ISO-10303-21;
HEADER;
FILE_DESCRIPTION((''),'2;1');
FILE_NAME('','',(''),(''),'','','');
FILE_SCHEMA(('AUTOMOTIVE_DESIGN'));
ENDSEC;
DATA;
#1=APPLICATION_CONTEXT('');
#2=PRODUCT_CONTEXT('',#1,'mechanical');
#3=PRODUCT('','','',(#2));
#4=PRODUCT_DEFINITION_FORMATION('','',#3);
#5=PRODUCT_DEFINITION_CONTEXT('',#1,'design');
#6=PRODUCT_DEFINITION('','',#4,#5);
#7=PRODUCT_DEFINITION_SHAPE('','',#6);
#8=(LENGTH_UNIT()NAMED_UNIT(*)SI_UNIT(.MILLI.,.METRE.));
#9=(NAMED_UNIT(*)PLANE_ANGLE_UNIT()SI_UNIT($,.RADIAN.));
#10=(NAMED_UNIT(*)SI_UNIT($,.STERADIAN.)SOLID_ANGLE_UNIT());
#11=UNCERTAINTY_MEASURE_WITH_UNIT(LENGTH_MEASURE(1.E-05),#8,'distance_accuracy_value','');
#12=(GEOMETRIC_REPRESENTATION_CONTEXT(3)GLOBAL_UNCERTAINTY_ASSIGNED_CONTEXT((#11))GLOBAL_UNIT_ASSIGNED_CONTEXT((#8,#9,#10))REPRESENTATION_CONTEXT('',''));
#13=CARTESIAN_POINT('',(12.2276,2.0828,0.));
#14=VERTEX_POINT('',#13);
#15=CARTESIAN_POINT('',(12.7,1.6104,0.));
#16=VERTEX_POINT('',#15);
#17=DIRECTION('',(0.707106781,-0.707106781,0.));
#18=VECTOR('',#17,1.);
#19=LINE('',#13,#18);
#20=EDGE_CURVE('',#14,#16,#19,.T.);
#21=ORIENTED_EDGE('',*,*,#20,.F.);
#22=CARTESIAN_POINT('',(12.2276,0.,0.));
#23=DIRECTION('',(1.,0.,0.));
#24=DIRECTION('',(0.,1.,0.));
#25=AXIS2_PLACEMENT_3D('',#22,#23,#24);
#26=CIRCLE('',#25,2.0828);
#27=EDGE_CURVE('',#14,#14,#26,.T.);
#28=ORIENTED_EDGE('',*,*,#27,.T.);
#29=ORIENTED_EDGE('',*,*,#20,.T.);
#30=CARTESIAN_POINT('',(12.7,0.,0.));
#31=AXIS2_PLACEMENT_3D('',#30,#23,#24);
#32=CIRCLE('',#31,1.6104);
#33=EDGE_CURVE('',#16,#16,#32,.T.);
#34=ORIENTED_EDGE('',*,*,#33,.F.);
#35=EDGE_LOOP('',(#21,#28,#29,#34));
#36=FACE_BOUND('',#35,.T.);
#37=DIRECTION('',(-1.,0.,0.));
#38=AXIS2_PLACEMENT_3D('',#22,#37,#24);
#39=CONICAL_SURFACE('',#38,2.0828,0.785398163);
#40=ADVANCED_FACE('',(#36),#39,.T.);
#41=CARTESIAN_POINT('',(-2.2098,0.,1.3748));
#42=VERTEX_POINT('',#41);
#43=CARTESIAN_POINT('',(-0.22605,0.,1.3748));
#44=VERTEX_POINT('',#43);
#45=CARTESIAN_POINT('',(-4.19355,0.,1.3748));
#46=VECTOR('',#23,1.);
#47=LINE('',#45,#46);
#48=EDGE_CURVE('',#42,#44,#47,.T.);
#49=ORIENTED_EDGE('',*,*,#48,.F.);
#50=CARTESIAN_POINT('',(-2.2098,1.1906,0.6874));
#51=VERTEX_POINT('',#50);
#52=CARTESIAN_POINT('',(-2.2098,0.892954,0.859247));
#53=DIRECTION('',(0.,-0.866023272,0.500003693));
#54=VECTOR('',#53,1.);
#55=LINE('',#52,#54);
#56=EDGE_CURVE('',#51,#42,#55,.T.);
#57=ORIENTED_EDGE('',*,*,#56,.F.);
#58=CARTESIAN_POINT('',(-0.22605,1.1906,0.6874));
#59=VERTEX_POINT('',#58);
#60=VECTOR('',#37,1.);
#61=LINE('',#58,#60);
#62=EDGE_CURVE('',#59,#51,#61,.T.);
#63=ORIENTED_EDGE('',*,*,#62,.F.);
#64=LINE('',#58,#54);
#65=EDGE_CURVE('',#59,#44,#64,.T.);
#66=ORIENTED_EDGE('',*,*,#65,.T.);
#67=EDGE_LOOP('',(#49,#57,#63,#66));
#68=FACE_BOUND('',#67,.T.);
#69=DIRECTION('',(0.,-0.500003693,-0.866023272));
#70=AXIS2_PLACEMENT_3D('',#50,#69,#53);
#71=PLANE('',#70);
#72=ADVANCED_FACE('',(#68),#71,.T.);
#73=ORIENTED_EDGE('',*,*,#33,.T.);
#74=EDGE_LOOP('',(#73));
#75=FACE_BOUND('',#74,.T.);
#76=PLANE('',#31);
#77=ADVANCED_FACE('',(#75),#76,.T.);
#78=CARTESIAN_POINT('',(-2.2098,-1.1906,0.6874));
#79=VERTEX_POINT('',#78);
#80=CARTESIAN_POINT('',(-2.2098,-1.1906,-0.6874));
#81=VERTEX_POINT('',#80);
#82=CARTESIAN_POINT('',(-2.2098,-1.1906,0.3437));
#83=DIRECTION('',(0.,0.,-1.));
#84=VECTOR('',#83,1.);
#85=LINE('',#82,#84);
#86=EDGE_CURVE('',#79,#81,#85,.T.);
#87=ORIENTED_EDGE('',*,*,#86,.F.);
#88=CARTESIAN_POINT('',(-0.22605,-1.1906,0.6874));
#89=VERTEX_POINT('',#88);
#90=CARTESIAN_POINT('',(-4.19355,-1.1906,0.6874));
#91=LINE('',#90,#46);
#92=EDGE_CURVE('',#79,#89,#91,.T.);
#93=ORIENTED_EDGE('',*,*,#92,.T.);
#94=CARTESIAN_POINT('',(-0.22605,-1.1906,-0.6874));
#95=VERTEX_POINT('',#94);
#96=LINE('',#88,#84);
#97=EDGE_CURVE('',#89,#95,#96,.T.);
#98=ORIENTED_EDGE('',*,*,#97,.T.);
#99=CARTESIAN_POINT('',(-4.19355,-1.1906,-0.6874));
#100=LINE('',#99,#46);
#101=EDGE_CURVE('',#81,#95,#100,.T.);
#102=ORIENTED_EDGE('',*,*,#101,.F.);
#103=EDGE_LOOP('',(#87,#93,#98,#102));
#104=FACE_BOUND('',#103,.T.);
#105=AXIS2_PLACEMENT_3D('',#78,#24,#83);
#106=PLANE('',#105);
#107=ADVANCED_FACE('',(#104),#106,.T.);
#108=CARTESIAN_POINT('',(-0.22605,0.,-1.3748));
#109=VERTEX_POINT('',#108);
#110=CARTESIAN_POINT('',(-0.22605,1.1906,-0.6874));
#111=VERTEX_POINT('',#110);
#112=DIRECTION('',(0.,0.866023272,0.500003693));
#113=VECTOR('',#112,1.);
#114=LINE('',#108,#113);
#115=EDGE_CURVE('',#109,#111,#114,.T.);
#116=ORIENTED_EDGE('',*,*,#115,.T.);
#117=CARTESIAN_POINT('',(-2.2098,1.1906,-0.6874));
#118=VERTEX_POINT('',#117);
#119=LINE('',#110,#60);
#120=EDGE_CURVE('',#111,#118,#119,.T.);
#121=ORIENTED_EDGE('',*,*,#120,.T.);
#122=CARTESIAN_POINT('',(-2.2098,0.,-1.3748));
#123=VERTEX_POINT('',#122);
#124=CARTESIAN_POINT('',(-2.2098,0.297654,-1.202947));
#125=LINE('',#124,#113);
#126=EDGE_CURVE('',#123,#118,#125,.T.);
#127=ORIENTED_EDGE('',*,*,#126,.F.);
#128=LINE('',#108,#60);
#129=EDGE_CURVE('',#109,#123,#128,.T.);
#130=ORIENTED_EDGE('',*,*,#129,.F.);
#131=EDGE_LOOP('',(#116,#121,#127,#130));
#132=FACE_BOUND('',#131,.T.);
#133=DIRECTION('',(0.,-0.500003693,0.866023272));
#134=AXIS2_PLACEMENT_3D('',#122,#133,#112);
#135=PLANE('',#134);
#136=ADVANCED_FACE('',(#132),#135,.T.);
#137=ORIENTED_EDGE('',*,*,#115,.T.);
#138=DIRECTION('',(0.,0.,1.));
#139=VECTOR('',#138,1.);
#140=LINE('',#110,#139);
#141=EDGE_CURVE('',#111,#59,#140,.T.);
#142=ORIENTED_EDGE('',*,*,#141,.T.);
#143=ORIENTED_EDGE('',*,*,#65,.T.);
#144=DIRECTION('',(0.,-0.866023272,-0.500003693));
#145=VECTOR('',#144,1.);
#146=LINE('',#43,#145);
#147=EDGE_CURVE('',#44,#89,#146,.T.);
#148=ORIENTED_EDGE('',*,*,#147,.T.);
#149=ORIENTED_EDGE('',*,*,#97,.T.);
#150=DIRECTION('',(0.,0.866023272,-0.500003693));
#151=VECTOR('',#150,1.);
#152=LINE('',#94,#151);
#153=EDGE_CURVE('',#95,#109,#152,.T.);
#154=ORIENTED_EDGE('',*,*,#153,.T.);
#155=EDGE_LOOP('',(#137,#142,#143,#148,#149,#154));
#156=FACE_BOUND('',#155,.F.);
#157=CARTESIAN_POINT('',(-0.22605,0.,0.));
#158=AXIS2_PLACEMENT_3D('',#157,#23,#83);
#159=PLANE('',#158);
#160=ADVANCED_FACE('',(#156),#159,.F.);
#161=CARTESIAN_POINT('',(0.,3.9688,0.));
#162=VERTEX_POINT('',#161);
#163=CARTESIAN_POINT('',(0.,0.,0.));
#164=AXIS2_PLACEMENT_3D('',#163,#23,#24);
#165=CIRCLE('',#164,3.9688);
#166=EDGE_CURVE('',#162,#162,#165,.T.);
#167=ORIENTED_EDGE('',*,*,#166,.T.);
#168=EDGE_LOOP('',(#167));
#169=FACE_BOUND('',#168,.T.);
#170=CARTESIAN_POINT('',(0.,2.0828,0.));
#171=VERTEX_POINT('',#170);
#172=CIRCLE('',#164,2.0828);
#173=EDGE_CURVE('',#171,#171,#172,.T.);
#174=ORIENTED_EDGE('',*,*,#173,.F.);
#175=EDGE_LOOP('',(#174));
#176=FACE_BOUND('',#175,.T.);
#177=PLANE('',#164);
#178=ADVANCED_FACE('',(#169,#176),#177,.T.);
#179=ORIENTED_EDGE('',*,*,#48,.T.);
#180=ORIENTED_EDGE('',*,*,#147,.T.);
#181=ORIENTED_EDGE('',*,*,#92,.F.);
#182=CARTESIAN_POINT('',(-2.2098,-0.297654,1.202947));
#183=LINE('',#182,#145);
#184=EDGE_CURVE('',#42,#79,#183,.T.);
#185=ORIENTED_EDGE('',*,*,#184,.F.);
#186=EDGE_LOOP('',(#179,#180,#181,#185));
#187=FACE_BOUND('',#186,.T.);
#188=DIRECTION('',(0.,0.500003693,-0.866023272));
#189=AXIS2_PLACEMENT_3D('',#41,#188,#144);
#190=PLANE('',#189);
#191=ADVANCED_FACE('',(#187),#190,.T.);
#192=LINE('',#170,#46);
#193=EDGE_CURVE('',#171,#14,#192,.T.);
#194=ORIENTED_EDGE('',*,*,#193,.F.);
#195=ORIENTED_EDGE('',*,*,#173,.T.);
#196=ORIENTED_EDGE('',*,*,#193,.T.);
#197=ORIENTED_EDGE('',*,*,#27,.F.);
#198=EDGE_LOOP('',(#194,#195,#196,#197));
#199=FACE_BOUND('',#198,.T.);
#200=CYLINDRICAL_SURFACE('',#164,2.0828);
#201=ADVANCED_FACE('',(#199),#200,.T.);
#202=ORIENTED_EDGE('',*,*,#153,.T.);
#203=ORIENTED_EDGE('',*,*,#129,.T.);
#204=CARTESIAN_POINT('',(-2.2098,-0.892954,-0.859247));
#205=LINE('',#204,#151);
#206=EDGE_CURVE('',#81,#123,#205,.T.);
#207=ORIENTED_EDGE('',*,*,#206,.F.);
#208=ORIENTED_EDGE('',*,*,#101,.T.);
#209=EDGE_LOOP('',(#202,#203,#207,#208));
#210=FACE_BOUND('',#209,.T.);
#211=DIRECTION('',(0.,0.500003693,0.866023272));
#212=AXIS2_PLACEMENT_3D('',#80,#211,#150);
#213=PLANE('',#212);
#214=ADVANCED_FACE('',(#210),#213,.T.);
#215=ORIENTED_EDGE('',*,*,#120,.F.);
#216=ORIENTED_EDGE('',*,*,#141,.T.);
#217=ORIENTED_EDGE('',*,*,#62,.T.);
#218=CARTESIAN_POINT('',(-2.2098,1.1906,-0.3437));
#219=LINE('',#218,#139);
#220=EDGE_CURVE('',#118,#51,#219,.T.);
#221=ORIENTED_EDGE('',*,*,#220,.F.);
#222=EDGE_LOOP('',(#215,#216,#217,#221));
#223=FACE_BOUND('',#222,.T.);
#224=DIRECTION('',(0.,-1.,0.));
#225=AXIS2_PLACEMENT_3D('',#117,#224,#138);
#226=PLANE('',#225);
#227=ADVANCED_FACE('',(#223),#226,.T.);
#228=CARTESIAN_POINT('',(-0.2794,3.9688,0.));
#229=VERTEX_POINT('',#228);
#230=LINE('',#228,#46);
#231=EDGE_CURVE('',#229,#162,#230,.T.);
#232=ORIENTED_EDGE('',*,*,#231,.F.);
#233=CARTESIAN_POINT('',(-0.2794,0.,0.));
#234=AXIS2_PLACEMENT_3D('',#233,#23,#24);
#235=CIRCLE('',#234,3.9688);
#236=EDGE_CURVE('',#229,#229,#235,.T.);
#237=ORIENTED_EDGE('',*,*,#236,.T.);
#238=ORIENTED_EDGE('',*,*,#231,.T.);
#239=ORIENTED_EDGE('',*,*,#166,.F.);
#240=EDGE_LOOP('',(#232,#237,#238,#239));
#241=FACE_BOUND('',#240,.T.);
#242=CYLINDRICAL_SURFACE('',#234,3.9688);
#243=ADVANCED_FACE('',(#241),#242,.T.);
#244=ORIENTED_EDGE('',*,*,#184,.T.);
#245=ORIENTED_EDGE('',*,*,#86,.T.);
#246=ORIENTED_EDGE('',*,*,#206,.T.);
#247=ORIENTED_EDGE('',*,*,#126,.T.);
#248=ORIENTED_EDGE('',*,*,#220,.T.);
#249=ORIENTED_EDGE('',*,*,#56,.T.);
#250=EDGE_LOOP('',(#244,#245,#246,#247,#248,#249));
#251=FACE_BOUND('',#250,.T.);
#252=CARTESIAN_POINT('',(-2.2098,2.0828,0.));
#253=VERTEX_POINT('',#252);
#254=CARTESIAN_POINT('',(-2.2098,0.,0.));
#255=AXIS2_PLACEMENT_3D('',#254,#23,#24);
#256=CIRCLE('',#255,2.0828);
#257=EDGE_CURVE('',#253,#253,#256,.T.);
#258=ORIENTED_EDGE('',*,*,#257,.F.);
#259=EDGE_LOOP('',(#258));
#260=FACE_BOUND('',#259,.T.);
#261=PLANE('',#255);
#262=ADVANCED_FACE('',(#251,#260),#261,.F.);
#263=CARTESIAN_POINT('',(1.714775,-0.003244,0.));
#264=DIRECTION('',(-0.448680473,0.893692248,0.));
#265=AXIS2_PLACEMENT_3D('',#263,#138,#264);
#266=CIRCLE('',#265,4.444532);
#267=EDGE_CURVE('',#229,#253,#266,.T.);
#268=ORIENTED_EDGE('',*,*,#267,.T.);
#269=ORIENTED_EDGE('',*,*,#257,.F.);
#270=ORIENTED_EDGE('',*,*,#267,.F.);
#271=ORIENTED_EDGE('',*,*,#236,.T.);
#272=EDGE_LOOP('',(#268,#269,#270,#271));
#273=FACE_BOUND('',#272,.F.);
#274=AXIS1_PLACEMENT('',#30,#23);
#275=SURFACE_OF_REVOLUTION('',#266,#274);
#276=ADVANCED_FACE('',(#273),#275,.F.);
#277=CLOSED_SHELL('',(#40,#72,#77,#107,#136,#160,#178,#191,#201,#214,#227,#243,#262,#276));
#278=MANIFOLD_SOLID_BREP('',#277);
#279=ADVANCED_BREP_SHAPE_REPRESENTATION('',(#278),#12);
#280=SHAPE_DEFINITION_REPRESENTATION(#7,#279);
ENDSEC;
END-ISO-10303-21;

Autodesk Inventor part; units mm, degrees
sketch "Sketch_1" plane through (0, 0, 0) normal (0, 0, 1) x (1, 0, 0)
  line L0 (12.7, 0) -> (-2.2098, 0)
  line L1 (-2.2098, 0) -> (-2.2098, 2.0828)
  arc A0 (-0.2794, 3.9688) -> (-2.2098, 2.0828) centre (1.7151, -0.0037) ccw
  line L2 (-0.2794, 3.9688) -> (0, 3.9688)
  line L3 (0, 3.9688) -> (0, 2.0828)
  line L4 (0, 2.0828) -> (12.2276, 2.0828)
  line L5 (12.2276, 2.0828) -> (12.7, 1.6104)
  line L6 (12.7, 1.6104) -> (12.7, 0)
  line L7 (12.7, 0) -> (-2.2098, 0)
revolve "Revolution1" add sketch "Sketch_1" angle 360 about axis through (12.7, 0, 0) along (1, 0, 0)
thread "Thread1" size "8-32 UNC" class "2A" standard "ANSI Unified Screw Threads" length 11.4093
sketch "Sketch_3" plane through (-2.2098, 0, 0) normal (1, 0, 0) x (0, 0, -1)
  line L0 (-1.3748, 0) -> (-0.6874, -1.1906)
  line L1 (-0.6874, -1.1906) -> (0.6874, -1.1906)
  line L2 (0.6874, -1.1906) -> (1.3748, 0)
  line L3 (1.3748, 0) -> (0.6874, 1.1906)
  line L4 (0.6874, 1.1906) -> (-0.6874, 1.1906)
  line L5 (-0.6874, 1.1906) -> (-1.3748, 0)
extrude "Extrusion1" cut sketch "Sketch_3" along normal mid plane 3.9675
ref_plane "screw_XY" through (0, 0, 0) normal (1, 0, 0) x (0, 0, -1)
ref_plane "screw_YZ" through (0, 0, 0) normal (0, 0, -1) x (0, 1, 0)
ref_plane "screw_ZX" through (0, 0, 0) normal (0, 1, 0) x (1, 0, 0)
ref_plane "to_nut_XY" through (12.7, 0, 0) normal (1, 0, 0) x (0, 0, -1)
ref_plane "to_nut_YZ" through (12.7, 0, 0) normal (0, 0, -1) x (0, 1, 0)
ref_plane "to_nut_ZX" through (12.7, 0, 0) normal (0, 1, 0) x (1, 0, 0)
properties part number "3024"
